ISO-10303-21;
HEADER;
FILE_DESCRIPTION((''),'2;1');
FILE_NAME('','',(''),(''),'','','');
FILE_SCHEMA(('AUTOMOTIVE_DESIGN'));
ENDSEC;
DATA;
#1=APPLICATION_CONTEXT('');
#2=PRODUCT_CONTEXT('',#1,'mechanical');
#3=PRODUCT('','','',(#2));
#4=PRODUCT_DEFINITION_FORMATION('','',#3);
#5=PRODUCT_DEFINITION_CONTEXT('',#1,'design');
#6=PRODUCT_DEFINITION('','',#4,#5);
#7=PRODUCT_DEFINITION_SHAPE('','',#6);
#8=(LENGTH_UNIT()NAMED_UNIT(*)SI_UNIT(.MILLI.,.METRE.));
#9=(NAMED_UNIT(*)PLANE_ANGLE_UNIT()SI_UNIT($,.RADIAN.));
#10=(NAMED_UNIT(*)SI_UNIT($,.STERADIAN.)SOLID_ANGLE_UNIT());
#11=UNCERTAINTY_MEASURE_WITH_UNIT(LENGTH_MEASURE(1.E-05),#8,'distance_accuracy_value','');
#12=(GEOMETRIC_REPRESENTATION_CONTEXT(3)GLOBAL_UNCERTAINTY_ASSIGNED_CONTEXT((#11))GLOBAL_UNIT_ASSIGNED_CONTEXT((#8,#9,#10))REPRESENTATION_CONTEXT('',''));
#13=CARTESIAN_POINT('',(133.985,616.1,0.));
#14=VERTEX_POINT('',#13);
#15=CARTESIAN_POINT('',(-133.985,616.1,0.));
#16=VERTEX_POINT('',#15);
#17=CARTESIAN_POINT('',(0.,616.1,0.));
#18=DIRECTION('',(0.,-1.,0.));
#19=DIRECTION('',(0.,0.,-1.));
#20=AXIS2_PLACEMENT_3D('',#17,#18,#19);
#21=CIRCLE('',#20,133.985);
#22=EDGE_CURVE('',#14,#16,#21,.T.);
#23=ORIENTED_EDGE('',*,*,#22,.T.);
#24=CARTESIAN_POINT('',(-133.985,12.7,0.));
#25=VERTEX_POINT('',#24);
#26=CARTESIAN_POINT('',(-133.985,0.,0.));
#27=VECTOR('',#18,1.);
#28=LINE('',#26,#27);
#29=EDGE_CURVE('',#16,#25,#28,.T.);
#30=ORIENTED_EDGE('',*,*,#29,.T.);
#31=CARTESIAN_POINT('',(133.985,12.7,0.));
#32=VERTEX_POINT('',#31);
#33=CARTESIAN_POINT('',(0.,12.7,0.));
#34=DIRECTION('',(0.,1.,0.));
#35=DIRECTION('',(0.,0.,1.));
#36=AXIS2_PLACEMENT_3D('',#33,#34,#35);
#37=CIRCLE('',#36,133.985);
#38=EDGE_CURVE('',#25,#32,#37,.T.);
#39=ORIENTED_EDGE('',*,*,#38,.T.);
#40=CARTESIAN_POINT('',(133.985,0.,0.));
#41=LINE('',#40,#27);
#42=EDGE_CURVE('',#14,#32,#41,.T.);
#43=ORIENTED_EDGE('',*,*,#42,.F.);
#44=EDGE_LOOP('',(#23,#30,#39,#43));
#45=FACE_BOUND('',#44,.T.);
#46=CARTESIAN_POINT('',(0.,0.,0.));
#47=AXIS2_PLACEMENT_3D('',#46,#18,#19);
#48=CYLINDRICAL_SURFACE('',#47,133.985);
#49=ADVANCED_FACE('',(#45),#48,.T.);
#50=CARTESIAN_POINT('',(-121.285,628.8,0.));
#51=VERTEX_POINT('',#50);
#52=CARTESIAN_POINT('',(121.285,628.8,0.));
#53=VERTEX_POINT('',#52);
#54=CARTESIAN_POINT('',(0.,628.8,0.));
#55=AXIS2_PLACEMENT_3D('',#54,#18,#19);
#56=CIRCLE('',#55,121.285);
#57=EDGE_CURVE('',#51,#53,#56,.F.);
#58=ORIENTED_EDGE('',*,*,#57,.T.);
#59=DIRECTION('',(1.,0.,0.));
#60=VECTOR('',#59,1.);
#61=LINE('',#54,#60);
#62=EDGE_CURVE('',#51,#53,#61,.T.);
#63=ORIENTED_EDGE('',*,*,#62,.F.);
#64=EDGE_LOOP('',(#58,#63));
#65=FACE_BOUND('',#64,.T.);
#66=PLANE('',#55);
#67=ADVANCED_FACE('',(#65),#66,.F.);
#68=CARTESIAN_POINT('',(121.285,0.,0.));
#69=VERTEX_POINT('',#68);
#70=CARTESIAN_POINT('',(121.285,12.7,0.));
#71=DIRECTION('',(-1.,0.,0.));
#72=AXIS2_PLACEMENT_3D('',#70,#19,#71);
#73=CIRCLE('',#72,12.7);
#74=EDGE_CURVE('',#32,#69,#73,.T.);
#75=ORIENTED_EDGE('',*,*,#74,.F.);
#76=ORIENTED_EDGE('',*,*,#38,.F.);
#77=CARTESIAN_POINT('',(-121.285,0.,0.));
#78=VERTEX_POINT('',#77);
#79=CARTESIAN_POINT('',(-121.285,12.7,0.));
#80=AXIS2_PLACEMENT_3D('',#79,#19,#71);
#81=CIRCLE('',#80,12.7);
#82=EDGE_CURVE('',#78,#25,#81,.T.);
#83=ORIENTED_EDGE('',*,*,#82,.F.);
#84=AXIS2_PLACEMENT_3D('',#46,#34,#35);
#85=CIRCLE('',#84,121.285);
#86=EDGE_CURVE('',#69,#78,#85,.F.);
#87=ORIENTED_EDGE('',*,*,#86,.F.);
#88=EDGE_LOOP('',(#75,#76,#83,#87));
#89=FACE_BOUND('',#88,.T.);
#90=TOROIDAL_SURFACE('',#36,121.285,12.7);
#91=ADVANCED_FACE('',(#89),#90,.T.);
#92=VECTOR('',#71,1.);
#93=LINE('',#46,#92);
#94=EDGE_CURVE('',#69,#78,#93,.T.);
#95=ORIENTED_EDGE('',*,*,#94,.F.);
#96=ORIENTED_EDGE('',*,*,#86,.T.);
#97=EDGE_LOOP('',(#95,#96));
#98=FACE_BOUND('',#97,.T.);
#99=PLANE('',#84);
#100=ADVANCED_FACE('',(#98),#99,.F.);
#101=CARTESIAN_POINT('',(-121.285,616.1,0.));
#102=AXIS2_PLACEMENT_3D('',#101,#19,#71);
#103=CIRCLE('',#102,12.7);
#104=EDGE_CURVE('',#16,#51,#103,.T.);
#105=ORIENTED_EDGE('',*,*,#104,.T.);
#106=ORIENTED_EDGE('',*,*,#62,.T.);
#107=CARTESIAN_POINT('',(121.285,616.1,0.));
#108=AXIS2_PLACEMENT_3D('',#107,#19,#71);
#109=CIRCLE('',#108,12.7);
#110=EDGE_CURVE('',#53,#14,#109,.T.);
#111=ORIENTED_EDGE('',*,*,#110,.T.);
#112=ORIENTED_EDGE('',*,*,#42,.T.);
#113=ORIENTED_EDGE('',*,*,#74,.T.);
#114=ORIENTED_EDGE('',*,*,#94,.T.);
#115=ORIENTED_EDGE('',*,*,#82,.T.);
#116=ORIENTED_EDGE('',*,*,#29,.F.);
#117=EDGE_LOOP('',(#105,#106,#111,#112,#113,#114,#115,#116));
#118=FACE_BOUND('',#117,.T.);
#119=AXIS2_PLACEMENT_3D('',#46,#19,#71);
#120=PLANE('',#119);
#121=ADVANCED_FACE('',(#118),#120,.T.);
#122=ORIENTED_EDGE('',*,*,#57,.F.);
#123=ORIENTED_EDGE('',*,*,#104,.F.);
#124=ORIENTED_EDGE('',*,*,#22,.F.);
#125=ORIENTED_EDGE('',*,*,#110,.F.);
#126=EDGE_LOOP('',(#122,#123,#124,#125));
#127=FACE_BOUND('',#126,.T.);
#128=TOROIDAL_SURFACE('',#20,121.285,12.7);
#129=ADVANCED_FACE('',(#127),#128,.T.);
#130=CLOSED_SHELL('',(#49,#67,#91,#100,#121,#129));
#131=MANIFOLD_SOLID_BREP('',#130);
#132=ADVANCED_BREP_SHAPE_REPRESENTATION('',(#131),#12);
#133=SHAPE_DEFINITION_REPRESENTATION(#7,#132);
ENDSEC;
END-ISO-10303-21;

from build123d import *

# Parameters (mm, degrees)
SKETCH1_W      = 133.985
SKETCH1_H      = 628.8
REVOLVE1_ANGLE = 180
FILLET1_R      = 12.7


with BuildPart() as part:
    # Sketch1 → Revolve1 (revolve)
    with BuildSketch(Plane.XY):
        with Locations((-66.9925, 314.4)):
            Rectangle(SKETCH1_W, SKETCH1_H)
    revolve(axis=Axis((0, 0, 0), (0, 1, 0)), revolution_arc=REVOLVE1_ANGLE)

    # Fillet1
    fillet1_edges = [part.edges().sort_by_distance(p)[0] for p in [
        (0, 0, 133.985),
        (0, 628.8, 133.985),
    ]]
    fillet(fillet1_edges, radius=FILLET1_R)


solid = part.part
